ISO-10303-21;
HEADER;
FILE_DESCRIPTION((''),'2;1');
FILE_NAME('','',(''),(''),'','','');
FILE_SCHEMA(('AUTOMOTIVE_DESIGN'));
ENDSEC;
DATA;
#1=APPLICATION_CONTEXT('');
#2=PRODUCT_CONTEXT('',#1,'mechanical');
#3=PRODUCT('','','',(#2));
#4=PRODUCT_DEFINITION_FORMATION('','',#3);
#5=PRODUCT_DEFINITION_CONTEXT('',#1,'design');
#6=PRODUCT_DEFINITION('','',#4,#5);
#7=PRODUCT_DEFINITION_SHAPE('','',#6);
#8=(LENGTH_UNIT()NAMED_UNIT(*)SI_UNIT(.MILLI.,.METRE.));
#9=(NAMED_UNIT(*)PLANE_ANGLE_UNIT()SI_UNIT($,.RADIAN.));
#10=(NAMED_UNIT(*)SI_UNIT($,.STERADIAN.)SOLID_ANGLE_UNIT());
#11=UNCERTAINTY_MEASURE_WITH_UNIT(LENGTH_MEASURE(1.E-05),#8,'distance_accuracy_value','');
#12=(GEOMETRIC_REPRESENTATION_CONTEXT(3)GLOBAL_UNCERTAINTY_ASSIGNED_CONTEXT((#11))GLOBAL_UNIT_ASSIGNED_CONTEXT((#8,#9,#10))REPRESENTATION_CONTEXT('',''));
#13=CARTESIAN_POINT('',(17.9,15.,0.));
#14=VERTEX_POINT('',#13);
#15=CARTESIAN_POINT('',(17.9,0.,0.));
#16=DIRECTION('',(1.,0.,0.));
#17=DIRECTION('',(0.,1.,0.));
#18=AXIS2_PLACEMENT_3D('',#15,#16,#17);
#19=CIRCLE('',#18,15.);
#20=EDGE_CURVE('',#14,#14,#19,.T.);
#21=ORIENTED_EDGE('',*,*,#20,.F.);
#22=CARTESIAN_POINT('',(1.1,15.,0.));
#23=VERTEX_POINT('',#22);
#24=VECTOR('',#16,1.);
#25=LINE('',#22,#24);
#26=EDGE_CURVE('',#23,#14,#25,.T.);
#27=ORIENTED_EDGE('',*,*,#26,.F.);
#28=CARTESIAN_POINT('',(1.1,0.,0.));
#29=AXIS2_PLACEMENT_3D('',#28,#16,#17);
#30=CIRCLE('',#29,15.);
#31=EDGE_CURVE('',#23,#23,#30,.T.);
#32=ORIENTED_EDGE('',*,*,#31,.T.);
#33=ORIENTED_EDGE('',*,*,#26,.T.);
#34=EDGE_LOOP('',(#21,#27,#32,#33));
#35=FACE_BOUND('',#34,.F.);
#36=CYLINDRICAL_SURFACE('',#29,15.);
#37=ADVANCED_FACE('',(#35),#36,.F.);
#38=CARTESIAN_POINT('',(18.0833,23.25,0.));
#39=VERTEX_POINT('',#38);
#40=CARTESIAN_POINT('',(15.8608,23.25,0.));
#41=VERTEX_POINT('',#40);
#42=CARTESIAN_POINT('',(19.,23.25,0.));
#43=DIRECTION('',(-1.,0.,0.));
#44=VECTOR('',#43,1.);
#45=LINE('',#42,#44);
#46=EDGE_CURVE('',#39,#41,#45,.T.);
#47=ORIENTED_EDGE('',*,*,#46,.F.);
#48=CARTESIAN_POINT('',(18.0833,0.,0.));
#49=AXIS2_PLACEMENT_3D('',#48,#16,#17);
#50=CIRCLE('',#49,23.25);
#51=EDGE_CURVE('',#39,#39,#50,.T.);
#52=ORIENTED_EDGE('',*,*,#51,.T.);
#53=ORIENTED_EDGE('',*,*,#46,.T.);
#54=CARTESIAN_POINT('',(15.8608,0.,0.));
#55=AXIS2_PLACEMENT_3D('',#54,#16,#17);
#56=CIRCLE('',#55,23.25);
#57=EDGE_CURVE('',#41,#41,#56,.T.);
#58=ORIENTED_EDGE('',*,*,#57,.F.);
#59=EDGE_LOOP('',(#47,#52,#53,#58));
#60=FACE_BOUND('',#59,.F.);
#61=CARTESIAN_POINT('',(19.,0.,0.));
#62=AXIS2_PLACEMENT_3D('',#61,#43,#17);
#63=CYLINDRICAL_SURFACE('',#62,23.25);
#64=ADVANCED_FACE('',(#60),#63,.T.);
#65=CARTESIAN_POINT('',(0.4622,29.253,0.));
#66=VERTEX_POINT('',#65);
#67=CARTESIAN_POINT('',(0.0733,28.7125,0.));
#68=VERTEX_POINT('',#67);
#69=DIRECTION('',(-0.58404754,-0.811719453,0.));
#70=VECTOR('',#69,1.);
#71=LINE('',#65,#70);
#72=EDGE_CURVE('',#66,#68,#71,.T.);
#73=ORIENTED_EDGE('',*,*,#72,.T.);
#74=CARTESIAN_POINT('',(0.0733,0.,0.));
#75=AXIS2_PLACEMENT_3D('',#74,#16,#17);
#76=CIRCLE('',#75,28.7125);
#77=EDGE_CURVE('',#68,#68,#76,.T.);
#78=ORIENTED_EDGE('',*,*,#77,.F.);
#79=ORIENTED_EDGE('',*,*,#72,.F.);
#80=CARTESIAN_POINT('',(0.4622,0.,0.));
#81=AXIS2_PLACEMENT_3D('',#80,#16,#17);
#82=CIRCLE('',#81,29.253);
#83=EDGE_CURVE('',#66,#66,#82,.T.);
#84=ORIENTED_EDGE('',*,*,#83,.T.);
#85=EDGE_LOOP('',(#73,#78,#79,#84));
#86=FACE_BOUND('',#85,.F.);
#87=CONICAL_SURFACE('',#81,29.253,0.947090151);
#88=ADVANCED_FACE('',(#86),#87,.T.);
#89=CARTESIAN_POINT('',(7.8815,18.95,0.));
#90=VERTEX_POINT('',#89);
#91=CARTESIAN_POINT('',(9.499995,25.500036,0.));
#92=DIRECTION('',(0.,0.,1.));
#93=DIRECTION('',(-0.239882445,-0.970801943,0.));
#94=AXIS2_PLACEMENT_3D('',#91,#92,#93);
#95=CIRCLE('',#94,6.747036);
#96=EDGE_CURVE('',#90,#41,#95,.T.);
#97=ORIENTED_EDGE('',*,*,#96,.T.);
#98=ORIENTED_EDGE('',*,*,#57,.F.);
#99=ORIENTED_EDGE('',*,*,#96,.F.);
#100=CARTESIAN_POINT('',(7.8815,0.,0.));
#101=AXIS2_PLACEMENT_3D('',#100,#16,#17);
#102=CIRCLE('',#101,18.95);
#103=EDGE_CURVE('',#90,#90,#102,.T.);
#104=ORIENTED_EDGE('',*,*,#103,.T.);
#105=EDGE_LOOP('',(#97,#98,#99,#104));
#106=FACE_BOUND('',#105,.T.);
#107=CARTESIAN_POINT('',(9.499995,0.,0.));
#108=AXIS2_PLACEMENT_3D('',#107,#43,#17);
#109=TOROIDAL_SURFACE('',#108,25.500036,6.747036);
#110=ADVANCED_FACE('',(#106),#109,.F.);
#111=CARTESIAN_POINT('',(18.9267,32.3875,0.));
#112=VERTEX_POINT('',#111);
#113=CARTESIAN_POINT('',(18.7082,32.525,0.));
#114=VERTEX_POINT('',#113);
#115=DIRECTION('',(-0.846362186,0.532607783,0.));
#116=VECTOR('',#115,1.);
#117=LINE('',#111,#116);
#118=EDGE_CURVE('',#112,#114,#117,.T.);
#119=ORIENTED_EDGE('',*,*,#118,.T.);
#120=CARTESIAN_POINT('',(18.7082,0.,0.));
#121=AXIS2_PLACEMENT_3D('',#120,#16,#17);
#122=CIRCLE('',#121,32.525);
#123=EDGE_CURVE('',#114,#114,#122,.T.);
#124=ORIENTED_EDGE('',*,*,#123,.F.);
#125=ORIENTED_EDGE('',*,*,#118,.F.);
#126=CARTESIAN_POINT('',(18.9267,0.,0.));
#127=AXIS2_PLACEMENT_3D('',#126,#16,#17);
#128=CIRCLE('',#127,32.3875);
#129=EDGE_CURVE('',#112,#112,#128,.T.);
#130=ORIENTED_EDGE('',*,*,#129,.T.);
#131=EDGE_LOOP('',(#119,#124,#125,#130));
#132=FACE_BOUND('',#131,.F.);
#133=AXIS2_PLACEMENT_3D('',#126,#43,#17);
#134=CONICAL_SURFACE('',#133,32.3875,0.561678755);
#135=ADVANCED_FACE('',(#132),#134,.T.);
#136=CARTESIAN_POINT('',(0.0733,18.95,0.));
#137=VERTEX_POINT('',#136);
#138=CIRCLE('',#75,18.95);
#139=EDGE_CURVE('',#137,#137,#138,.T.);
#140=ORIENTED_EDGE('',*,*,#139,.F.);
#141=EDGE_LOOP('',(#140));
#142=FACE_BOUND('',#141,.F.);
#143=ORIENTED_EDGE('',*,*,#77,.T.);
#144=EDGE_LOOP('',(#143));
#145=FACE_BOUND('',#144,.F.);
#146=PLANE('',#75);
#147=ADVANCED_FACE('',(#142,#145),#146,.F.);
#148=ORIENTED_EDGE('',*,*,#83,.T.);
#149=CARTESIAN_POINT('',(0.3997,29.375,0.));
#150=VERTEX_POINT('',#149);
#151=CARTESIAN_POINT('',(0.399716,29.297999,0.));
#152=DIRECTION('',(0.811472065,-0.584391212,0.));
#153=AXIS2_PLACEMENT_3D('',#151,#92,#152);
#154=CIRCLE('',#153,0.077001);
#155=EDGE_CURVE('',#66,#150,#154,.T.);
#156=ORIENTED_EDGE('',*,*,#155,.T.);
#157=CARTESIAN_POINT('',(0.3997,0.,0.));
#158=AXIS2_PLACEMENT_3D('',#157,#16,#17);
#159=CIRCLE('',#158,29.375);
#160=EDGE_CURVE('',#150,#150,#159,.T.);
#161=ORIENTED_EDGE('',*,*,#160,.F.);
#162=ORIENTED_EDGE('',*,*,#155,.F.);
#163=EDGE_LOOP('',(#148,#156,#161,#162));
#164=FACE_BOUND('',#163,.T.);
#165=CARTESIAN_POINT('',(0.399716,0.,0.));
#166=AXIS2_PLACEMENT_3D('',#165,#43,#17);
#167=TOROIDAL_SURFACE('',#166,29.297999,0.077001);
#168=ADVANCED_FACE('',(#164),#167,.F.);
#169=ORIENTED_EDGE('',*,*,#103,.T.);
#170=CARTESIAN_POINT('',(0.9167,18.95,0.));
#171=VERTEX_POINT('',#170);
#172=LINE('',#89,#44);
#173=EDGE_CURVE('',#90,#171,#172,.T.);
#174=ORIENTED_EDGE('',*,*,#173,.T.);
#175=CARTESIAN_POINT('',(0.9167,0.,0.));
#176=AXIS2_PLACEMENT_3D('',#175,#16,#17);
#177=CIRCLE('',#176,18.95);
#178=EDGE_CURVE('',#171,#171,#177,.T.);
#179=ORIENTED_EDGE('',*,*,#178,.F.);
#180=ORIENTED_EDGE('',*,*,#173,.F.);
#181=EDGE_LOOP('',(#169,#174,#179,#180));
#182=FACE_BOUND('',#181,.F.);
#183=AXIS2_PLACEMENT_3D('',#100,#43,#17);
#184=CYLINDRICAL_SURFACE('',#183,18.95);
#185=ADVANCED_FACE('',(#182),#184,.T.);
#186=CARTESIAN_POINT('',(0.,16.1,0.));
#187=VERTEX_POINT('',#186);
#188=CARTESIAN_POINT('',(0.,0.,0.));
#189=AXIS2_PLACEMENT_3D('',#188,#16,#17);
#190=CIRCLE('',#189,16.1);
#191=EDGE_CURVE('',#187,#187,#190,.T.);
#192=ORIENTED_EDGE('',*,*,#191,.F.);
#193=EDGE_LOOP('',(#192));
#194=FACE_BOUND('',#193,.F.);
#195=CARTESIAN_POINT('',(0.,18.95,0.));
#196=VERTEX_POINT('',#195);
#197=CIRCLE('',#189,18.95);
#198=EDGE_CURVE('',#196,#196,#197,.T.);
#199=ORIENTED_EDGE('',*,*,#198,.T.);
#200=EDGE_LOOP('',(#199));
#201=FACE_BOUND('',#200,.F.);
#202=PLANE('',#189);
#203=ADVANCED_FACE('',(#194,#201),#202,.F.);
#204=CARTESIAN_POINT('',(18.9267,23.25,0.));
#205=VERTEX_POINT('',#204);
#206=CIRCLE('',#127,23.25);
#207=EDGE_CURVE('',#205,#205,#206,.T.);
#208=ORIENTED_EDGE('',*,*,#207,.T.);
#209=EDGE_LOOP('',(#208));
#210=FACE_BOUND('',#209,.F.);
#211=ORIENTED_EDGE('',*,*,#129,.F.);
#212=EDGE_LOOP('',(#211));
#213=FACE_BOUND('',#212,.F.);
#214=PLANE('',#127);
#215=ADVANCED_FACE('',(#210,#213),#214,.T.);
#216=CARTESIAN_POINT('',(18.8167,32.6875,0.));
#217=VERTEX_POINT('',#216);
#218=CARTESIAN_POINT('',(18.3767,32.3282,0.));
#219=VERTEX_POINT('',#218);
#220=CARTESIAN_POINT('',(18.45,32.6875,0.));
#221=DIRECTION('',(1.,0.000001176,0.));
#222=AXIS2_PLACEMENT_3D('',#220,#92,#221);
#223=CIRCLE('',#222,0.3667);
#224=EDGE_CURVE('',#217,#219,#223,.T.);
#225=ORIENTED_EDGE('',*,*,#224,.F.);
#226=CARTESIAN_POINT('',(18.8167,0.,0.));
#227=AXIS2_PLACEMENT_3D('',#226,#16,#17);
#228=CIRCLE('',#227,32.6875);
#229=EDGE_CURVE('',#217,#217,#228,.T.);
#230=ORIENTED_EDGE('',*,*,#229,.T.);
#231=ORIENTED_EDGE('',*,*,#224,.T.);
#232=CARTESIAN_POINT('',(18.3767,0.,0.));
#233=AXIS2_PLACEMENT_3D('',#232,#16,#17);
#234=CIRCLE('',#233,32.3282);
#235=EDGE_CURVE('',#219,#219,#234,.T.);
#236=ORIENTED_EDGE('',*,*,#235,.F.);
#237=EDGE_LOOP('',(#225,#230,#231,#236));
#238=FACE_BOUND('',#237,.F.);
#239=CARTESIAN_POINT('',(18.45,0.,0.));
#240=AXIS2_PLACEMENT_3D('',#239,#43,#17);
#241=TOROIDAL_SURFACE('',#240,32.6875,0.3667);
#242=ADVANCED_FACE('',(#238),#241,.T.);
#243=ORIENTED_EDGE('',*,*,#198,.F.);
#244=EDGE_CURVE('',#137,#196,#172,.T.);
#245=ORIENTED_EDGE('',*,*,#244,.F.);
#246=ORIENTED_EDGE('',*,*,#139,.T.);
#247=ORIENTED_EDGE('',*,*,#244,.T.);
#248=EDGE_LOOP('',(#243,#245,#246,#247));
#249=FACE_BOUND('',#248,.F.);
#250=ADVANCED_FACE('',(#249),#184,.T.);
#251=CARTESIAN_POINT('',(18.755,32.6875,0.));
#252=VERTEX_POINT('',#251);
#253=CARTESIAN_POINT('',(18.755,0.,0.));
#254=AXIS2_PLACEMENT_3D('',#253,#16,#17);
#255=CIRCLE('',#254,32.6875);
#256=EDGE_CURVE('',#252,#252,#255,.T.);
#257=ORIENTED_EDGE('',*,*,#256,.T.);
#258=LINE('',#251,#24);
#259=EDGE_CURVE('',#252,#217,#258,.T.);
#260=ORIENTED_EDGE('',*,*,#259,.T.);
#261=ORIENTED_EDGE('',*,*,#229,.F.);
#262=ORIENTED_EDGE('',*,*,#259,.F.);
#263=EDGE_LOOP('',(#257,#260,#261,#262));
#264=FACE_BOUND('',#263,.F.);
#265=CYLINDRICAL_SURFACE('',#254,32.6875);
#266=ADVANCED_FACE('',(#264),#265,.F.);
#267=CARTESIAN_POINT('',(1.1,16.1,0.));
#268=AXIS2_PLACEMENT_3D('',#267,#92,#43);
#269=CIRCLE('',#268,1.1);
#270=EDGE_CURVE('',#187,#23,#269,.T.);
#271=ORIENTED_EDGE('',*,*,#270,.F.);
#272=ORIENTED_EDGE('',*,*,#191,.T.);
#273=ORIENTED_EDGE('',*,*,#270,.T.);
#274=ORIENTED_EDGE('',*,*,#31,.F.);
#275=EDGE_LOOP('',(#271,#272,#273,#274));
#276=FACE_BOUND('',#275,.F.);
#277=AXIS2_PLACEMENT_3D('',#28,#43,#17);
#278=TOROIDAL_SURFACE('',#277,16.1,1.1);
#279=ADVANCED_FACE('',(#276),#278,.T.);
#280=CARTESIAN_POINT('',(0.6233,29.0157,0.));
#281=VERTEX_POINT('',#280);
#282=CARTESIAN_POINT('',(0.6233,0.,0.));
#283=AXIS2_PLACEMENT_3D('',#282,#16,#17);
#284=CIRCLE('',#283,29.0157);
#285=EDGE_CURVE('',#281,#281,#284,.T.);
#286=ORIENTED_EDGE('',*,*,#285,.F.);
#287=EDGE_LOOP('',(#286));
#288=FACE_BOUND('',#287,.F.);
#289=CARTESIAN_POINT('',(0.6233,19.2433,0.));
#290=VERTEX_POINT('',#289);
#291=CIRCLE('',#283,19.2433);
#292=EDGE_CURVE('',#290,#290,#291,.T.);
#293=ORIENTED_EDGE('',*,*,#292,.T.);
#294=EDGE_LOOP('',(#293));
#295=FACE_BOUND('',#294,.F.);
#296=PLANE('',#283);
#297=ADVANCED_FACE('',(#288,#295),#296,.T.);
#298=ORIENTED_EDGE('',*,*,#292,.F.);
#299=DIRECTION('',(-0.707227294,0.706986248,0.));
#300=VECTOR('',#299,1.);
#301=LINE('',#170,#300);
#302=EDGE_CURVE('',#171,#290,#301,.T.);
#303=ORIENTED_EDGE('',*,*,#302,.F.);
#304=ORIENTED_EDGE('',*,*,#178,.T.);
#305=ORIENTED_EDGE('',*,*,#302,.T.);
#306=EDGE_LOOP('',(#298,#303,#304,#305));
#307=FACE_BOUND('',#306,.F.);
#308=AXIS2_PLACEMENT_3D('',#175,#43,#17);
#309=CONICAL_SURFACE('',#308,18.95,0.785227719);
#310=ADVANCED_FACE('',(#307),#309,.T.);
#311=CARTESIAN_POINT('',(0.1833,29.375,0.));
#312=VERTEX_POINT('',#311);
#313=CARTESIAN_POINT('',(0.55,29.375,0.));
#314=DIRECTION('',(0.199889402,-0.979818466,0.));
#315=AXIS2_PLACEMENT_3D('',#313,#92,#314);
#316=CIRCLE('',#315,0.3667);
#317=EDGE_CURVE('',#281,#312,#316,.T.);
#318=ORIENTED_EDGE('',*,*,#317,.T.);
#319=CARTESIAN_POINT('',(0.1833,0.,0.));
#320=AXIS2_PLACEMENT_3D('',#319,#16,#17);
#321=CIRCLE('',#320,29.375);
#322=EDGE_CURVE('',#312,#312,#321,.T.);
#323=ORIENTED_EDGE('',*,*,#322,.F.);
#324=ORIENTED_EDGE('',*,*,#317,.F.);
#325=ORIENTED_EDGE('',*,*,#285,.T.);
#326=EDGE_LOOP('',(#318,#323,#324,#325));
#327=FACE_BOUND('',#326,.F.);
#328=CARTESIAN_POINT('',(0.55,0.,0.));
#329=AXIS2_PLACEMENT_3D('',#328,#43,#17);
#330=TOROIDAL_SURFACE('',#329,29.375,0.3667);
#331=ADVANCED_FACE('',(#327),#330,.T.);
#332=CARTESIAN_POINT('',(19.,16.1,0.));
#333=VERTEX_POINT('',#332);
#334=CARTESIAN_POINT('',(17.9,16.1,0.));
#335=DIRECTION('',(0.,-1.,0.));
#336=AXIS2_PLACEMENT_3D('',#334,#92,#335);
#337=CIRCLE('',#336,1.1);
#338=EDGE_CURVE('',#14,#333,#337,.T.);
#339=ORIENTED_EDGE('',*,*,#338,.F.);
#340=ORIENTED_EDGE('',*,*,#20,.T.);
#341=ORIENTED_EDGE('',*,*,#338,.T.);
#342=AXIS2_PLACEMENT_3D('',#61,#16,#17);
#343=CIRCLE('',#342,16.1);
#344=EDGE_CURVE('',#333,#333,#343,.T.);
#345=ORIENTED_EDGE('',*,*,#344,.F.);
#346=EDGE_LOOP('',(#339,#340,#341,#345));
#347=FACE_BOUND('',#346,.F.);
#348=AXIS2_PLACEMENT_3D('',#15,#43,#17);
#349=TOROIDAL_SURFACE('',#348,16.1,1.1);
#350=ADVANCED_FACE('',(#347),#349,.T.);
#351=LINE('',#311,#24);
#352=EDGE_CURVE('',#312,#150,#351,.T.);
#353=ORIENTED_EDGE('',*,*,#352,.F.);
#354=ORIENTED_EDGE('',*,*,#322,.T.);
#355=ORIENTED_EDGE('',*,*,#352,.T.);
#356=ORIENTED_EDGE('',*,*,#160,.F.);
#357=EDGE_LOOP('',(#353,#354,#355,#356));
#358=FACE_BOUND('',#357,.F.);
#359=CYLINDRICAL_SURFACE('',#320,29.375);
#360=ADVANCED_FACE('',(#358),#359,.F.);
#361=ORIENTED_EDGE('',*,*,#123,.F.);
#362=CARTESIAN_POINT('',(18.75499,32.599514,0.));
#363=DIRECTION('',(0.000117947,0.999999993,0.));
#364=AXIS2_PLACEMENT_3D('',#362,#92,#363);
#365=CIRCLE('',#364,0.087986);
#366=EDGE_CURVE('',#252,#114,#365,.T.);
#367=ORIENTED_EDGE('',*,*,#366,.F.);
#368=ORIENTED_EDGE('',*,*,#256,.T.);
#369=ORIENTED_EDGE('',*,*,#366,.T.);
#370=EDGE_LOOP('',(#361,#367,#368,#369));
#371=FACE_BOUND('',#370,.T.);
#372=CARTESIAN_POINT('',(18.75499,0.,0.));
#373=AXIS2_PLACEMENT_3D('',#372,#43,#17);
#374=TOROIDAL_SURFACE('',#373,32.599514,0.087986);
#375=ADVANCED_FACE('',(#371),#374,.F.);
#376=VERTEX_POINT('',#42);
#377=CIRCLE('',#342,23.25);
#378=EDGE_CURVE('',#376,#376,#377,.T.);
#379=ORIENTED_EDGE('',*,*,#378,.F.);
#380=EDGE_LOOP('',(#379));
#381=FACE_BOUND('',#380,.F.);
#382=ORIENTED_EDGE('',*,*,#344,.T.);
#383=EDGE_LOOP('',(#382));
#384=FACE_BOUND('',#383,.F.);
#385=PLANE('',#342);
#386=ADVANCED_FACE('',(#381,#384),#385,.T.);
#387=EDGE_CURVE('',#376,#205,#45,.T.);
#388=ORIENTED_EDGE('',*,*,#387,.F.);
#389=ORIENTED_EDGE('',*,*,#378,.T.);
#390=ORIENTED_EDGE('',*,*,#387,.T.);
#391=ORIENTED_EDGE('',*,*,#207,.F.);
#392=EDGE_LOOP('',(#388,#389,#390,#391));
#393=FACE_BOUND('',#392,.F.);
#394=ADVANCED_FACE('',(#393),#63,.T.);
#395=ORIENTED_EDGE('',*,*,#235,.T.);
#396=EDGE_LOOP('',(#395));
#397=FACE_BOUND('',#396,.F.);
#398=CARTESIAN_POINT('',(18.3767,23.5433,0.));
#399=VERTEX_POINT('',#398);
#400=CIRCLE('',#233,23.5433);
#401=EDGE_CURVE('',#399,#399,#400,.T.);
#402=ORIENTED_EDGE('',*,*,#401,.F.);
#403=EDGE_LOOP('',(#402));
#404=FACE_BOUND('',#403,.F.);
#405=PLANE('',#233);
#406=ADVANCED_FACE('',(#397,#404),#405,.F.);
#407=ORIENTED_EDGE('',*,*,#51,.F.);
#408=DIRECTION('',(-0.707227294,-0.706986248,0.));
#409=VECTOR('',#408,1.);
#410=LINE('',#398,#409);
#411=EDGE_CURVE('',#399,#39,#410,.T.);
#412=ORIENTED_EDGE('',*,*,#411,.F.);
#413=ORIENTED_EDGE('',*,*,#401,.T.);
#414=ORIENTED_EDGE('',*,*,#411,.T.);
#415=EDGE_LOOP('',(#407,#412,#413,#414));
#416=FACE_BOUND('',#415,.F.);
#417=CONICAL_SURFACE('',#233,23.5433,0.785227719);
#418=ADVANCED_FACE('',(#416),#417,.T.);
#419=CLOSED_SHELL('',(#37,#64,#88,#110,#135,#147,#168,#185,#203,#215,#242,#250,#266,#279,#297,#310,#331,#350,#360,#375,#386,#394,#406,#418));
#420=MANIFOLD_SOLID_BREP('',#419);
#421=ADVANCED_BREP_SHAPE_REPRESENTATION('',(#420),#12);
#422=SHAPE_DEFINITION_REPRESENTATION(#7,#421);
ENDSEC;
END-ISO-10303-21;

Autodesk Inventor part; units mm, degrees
ref_plane "YZ Plane" through (0, 0, 0) normal (1, 0, 0) x (0, 1, 0)
ref_plane "XZ Plane" through (0, 0, 0) normal (0, 1, 0) x (-1, 0, 0)
ref_plane "XY Plane" through (0, 0, 0) normal (0, 0, 1) x (1, 0, 0)
sketch "Sketch_4" plane through (0, 0, 0) normal (0, 0, 1) x (1, 0, 0)
  line L0 (19, 0) -> (0, 0)
  line L1 (0, 18.95) -> (0, 16.1)
  arc A0 (0, 16.1) -> (1.1, 15) centre (1.1, 16.1) ccw
  line L2 (1.1, 15) -> (17.9, 15)
  arc A1 (17.9, 15) -> (19, 16.1) centre (17.9, 16.1) ccw
  line L3 (19, 16.1) -> (19, 23.25)
  line L4 (19, 23.25) -> (15.8608, 23.25)
  arc A2 (7.8815, 18.95) -> (15.8608, 23.25) centre (9.5, 25.5) ccw
  line L5 (7.8815, 18.95) -> (0, 18.95)
revolve "Revolution1" add sketch "Sketch_4" angle 360 about axis through (19, 0, 0) along (1, 0, 0)
sketch "Sketch_5" plane through (0, 0, 0) normal (0, 0, 1) x (1, 0, 0)
  line L0 (5, 0) -> (-5, 0)
  line L1 (0.0733, 28.7125) -> (0.0733, 18.95)
  line L2 (0.0733, 18.95) -> (0.9167, 18.95)
  line L3 (0.9167, 18.95) -> (0.6233, 19.2433)
  line L4 (0.6233, 19.2433) -> (0.6233, 29.0157)
  arc A0 (0.6233, 29.0157) -> (0.1833, 29.375) centre (0.55, 29.375) ccw
  line L5 (0.1833, 29.375) -> (0.3997, 29.375)
  arc A1 (0.4622, 29.253) -> (0.3997, 29.375) centre (0.3997, 29.298) ccw
  line L6 (0.4622, 29.253) -> (0.0733, 28.7125)
revolve "Revolution2" add sketch "Sketch_5" angle 360 about axis through (5, 0, 0) along (1, 0, 0)
sketch "Sketch_6" plane through (0, 0, 0) normal (0, 0, 1) x (1, 0, 0)
  line L0 (5, 0) -> (-5, 0)
  arc A0 (18.8167, 32.6875) -> (18.3767, 32.3282) centre (18.45, 32.6875) ccw
  line L1 (18.3767, 32.3282) -> (18.3767, 23.5433)
  line L2 (18.3767, 23.5433) -> (18.0833, 23.25)
  line L3 (18.0833, 23.25) -> (18.9267, 23.25)
  line L4 (18.9267, 23.25) -> (18.9267, 32.3875)
  line L5 (18.9267, 32.3875) -> (18.7082, 32.525)
  arc A1 (18.755, 32.6875) -> (18.7082, 32.525) centre (18.755, 32.5995) ccw
  line L6 (18.755, 32.6875) -> (18.8167, 32.6875)
revolve "Revolution3" add sketch "Sketch_6" angle 360 about axis through (5, 0, 0) along (1, 0, 0)
properties part number "7306 BE-2RZP_PART1" material "Stainless Steel, 440C"
